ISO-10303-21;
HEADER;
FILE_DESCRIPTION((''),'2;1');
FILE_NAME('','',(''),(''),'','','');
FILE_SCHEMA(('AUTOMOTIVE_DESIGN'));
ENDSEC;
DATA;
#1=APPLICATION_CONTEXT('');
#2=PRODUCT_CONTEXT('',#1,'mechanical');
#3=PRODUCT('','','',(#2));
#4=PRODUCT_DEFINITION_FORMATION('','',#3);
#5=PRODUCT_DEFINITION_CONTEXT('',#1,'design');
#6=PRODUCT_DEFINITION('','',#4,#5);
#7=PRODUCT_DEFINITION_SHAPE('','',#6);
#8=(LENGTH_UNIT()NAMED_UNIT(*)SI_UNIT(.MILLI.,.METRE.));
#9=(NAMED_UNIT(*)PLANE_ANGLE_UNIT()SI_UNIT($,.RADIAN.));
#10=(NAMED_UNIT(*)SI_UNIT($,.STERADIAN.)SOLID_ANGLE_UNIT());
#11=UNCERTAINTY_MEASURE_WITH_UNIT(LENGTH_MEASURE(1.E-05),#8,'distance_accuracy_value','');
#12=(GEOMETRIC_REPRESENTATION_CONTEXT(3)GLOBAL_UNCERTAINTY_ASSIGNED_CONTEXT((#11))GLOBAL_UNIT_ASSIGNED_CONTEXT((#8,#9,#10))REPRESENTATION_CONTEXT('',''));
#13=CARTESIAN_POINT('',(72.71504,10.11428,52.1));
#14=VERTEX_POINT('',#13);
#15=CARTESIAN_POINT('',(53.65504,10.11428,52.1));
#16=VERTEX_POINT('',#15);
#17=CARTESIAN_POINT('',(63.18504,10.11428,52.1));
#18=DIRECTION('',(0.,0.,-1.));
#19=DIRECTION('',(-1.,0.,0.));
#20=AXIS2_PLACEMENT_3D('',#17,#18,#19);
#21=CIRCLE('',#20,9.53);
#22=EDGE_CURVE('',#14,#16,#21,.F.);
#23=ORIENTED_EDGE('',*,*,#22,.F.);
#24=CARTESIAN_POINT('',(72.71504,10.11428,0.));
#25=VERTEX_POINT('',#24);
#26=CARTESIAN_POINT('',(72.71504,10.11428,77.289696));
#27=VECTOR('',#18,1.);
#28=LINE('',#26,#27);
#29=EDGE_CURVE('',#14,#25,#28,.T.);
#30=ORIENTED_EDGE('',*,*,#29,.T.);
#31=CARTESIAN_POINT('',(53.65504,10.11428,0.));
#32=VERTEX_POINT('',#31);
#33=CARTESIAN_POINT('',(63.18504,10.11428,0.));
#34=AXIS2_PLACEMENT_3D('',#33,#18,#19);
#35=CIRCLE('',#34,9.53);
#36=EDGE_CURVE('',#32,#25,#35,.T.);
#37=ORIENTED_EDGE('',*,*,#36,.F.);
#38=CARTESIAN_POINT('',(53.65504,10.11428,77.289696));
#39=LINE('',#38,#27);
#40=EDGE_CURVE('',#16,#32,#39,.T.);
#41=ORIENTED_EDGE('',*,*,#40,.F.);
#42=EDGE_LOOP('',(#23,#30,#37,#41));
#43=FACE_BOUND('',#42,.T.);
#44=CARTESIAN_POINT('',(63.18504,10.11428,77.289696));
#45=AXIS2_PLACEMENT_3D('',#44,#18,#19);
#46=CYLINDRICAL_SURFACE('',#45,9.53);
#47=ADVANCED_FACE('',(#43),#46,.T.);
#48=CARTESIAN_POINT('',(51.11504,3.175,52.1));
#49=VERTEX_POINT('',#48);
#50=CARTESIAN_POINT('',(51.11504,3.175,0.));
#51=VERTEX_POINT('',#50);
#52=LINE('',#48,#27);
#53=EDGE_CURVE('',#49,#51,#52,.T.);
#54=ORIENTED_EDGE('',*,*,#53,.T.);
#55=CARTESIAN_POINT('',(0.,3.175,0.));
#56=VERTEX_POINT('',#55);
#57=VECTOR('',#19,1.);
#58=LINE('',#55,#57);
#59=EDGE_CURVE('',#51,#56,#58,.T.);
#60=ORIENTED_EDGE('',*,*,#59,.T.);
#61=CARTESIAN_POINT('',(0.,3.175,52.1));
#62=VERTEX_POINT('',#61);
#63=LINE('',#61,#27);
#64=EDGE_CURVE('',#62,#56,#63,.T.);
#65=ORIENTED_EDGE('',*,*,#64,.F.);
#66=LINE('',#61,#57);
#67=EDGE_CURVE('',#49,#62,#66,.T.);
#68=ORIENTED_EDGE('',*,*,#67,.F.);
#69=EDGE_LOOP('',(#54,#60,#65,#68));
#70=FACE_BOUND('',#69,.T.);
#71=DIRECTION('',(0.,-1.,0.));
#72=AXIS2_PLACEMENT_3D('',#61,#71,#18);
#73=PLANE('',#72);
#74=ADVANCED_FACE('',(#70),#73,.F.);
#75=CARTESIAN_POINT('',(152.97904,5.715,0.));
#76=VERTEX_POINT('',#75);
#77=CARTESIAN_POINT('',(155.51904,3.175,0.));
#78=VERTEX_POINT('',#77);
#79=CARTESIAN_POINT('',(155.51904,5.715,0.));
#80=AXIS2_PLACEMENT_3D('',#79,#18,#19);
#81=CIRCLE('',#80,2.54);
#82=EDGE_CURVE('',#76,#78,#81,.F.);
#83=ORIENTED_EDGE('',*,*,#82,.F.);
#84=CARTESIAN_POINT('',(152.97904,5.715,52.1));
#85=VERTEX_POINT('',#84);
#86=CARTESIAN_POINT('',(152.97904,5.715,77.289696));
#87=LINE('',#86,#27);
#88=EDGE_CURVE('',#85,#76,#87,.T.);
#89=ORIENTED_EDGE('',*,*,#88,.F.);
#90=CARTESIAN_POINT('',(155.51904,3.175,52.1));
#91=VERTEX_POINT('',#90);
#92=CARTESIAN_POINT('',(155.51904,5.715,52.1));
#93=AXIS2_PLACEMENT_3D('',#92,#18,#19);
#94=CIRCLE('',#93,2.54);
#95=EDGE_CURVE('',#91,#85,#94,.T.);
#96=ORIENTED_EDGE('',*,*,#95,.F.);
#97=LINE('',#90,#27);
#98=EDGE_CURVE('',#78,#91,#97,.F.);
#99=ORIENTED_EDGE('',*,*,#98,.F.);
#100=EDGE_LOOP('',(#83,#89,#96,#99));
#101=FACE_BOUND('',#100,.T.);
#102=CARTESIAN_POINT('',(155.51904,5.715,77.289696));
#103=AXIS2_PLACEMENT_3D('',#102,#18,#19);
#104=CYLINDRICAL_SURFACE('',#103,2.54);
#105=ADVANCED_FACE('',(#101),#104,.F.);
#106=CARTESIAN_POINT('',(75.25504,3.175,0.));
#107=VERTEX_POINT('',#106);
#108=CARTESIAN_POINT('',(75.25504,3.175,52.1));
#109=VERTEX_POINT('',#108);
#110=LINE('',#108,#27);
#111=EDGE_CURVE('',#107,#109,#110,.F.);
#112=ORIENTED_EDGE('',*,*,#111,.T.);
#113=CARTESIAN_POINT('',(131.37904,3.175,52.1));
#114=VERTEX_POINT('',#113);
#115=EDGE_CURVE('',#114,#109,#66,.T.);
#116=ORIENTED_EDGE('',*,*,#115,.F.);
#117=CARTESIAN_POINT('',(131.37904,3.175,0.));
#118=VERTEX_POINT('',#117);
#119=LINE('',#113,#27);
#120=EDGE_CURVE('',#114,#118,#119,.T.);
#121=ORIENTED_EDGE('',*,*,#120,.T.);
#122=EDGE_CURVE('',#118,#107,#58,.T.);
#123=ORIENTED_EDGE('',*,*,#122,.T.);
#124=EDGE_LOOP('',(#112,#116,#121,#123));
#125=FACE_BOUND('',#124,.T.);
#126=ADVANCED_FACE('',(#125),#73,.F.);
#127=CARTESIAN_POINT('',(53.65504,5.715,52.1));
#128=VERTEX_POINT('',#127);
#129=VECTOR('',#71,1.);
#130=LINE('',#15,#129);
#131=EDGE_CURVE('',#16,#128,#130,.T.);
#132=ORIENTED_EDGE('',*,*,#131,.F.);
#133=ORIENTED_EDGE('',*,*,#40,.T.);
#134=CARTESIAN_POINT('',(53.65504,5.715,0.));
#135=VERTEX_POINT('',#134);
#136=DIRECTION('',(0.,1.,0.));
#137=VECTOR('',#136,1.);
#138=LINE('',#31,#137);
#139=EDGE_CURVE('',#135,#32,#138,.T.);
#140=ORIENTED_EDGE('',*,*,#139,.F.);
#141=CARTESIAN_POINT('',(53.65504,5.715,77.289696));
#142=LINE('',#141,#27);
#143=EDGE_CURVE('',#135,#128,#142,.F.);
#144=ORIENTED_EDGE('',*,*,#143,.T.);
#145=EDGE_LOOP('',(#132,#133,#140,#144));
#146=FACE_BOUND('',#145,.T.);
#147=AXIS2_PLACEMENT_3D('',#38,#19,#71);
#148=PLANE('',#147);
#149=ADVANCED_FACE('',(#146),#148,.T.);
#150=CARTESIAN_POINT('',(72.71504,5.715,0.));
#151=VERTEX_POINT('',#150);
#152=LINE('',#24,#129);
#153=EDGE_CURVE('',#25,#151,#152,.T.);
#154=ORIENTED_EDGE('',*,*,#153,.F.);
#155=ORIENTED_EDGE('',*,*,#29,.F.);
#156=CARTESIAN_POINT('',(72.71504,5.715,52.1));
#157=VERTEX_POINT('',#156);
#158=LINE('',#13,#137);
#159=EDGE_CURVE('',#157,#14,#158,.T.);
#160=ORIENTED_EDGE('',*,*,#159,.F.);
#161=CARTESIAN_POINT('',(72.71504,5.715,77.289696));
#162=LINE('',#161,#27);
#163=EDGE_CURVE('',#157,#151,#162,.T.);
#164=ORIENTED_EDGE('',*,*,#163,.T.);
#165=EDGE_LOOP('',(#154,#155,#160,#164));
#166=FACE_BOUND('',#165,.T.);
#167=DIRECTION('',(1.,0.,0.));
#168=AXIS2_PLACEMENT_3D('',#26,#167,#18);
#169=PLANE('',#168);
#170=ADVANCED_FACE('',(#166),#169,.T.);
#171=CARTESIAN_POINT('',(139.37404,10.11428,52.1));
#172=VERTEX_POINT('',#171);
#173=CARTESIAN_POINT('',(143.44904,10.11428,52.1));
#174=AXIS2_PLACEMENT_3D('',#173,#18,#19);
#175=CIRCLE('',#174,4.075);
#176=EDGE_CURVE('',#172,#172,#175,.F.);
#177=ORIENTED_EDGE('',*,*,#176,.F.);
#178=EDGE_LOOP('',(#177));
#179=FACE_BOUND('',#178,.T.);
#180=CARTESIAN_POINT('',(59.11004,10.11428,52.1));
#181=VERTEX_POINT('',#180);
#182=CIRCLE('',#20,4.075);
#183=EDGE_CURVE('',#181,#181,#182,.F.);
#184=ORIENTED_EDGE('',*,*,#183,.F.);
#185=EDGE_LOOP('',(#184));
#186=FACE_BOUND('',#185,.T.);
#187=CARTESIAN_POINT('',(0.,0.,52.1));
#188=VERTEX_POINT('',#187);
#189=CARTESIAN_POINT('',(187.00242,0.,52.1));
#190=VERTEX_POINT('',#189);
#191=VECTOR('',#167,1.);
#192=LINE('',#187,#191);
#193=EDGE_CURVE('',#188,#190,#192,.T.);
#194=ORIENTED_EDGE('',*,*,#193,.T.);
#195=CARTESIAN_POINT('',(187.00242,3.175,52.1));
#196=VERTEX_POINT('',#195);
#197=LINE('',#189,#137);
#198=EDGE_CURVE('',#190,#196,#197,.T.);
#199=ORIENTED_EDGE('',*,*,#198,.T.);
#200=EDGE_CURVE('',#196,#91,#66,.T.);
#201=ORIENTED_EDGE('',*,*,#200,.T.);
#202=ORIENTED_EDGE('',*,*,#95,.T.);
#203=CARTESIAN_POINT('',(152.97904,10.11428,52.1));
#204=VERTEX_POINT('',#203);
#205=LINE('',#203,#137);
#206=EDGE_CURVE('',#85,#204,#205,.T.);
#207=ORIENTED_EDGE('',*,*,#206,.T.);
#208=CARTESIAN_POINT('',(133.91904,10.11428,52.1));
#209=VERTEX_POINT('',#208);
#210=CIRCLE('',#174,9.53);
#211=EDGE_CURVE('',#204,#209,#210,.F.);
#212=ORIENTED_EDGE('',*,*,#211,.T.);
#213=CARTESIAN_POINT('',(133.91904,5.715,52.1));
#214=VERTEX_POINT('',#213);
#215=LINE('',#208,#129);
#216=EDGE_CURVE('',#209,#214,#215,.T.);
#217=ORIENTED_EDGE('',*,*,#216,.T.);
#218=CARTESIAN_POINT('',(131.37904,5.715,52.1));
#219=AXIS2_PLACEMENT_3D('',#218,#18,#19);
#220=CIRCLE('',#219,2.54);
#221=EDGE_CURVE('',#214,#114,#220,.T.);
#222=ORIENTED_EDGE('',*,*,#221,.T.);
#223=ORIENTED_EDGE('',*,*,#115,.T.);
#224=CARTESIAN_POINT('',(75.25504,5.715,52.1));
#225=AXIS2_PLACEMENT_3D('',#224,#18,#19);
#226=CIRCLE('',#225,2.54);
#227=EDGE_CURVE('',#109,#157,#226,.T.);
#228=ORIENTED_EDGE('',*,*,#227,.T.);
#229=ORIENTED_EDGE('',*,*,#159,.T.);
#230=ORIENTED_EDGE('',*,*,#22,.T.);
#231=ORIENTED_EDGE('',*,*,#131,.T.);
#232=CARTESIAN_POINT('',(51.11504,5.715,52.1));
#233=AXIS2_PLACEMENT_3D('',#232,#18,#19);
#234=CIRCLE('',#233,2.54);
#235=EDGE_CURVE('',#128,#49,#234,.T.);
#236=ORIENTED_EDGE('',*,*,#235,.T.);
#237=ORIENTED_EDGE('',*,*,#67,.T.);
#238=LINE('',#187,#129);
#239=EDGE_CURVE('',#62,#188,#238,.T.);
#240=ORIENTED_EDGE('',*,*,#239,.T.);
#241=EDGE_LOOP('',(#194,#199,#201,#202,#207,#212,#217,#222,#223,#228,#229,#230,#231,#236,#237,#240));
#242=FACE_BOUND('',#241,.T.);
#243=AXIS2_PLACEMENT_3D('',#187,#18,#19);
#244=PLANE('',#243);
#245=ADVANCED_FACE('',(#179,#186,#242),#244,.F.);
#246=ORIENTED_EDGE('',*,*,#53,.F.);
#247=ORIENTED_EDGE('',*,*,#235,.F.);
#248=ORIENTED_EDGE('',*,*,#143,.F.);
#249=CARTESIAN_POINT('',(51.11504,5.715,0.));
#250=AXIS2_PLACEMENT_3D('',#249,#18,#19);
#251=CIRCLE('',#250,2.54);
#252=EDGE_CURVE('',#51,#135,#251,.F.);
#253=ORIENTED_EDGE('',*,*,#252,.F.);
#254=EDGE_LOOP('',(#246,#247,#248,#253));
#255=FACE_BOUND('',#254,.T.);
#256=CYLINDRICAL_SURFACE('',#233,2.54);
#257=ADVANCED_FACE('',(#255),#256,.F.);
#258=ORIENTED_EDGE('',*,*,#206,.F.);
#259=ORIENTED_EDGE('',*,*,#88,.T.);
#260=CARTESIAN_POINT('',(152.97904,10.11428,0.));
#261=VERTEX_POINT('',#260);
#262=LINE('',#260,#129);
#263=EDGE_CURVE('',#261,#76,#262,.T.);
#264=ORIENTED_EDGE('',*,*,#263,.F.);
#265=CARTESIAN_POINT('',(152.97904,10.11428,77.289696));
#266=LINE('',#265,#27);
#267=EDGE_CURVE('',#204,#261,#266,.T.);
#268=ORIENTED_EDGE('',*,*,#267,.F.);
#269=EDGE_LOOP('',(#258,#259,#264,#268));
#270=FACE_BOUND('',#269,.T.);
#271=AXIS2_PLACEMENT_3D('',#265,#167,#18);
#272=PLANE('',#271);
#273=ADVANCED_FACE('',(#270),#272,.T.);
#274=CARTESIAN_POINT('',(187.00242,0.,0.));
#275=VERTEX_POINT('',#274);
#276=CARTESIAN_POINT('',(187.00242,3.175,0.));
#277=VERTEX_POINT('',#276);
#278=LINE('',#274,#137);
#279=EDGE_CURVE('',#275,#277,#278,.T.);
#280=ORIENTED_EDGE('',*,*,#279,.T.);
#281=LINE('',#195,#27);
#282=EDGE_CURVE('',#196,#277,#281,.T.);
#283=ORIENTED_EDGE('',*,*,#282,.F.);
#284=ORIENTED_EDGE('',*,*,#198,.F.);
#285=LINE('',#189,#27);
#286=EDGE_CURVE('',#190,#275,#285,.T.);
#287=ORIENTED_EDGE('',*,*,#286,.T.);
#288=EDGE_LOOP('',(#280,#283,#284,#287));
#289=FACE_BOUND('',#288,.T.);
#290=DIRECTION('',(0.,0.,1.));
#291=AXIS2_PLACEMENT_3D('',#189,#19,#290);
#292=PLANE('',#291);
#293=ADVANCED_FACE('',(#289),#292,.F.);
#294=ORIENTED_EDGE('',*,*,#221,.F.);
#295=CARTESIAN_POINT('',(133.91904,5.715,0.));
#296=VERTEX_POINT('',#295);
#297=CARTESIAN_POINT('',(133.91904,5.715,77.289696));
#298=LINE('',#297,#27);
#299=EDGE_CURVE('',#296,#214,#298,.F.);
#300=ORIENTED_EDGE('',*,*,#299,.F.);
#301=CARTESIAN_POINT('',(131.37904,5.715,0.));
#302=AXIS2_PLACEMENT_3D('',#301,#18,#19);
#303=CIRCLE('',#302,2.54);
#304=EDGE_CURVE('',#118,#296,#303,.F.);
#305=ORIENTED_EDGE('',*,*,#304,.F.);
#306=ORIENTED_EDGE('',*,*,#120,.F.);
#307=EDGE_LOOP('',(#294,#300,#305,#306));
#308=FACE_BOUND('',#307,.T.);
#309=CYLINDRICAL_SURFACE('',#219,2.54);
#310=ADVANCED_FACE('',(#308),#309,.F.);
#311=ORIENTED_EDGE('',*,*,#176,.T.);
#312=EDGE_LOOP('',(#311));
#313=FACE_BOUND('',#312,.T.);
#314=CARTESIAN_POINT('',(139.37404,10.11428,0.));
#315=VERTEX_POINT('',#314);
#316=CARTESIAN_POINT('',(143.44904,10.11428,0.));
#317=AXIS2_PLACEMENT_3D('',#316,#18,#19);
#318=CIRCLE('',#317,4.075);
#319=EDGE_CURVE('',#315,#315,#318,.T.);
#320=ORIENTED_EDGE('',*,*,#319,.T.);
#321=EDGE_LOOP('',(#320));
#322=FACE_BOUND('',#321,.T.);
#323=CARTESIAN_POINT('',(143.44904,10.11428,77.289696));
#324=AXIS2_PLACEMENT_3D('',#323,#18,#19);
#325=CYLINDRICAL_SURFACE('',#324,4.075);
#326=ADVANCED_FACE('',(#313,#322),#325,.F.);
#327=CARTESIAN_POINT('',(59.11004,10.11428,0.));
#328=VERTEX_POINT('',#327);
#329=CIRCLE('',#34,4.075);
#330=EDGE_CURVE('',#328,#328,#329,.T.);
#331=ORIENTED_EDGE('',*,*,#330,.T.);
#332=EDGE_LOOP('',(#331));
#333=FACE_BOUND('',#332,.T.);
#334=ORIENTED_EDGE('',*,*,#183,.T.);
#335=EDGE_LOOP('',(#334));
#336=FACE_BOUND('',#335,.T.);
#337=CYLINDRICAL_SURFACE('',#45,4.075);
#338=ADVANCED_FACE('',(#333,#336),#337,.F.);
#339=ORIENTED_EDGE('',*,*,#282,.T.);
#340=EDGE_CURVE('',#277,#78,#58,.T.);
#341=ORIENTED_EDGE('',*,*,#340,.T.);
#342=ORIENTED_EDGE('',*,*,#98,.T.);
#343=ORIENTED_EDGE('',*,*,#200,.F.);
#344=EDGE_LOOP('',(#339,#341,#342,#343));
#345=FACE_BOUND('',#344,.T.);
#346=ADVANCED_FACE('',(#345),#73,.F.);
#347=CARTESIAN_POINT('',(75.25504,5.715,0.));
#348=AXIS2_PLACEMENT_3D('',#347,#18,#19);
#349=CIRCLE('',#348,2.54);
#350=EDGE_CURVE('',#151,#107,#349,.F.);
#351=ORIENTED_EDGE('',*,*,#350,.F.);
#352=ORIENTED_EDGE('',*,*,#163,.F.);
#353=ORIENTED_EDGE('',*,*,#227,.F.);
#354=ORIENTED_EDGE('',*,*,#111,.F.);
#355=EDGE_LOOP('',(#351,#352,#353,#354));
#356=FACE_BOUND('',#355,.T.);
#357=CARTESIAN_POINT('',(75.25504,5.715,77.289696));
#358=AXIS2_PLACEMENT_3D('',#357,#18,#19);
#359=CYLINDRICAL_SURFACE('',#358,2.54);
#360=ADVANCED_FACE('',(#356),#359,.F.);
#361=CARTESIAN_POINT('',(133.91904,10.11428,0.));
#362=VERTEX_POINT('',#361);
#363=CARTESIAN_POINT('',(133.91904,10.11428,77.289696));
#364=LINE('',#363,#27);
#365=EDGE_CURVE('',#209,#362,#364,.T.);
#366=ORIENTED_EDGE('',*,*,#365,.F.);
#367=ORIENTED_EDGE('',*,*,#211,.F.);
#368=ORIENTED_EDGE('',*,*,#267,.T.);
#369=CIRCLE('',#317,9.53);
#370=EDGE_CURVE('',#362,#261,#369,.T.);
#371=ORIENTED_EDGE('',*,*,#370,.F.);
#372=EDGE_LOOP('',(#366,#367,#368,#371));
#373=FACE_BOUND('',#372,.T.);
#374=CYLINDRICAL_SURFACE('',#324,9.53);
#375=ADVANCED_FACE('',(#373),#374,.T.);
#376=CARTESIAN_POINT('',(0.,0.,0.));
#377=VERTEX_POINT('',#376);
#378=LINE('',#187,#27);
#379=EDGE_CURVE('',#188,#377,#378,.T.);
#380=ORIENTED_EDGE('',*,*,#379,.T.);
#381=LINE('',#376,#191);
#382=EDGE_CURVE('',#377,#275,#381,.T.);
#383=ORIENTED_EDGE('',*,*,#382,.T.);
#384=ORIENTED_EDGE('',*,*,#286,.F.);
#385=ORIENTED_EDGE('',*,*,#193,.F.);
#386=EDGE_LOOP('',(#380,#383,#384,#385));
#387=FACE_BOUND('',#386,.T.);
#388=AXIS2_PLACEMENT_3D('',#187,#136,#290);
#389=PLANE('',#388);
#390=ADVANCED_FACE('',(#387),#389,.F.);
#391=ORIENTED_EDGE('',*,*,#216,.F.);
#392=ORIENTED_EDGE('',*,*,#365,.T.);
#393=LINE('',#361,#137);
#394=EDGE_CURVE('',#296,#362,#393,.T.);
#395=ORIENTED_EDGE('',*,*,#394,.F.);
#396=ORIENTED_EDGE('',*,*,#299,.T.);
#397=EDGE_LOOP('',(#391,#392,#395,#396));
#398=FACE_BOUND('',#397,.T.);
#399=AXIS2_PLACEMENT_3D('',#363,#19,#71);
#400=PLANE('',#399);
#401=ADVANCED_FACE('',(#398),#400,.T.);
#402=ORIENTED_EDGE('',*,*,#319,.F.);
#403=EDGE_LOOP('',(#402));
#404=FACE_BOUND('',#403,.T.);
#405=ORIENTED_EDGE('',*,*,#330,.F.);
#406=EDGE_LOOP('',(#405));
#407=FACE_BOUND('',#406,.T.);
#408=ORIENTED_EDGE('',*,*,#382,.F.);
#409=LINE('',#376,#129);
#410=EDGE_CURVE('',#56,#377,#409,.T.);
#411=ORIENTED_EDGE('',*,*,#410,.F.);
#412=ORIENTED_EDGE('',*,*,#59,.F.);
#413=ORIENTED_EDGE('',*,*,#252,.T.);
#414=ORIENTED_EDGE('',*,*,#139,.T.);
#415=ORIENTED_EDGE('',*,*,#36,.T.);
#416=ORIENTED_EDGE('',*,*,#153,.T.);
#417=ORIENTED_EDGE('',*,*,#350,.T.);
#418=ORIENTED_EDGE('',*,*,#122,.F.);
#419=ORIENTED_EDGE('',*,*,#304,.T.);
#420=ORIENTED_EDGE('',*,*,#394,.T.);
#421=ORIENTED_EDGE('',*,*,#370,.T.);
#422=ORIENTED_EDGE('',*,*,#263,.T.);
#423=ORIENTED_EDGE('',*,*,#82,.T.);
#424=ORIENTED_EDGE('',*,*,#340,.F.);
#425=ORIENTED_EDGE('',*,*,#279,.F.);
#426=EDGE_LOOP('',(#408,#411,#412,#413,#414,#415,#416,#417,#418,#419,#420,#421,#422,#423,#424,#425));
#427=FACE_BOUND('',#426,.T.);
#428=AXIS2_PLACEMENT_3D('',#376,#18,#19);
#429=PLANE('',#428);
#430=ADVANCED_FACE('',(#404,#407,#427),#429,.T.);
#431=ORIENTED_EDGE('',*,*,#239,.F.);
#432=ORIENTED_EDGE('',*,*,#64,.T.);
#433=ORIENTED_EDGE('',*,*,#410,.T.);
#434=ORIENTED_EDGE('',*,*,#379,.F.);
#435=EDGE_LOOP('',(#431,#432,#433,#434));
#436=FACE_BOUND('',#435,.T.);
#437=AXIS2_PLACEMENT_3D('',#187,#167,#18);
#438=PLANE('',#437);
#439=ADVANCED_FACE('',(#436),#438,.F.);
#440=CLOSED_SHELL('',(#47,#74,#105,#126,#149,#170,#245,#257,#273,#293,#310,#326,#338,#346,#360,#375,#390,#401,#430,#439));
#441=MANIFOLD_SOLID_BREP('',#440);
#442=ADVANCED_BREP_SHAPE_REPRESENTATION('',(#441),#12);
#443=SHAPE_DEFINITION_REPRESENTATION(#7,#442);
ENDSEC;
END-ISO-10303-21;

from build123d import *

# Parameters (mm, degrees)
SKETCH1_W           = 399.27784
SKETCH1_H           = 3.175
BOSS_EXTRUDE1_DEPTH = 52.09999994
SKETCH3_R           = 4.075
BOSS_EXTRUDE2_DEPTH = 52.09999994
FILLET1_R           = 2.54
SKETCH5_W           = 212.27542
SKETCH5_H           = 58.123397562
CUT_EXTRUDE3_DEPTH  = 404.141539965


with BuildPart() as part:
    # Sketch1 → Boss-Extrude1 (new body)
    with BuildSketch(Plane.XY):
        with Locations((199.63892, 1.5875)):
            Rectangle(SKETCH1_W, SKETCH1_H)
    extrude(amount=BOSS_EXTRUDE1_DEPTH)

    # Sketch3 → Boss-Extrude2 (add)
    # profile 1 of 4: a face of its own
    with BuildSketch(Plane(origin=(0, 0, 0), x_dir=(-1, 0, 0), z_dir=(0, 0, -1))):
        with BuildLine():
            Line((-313.50704, 10.11428), (-313.50704, 3.175))
            Line((-313.50704, 3.175), (-303.97704, 3.175))
            Line((-303.97704, 3.175), (-294.44704, 3.175))
            Line((-294.44704, 3.175), (-294.44704, 10.11428))
            ThreePointArc((-294.44704, 10.11428), (-303.97704, 19.64428), (-313.50704, 10.11428))
        make_face()
        with Locations((-303.97704, 10.11428)):
            Circle(SKETCH3_R, mode=Mode.SUBTRACT)
    # profile 2 of 4: a face of its own
    with BuildSketch(Plane(origin=(0, 0, 0), x_dir=(-1, 0, 0), z_dir=(0, 0, -1))):
        with BuildLine():
            Line((-233.24304, 3.175), (-223.71304, 3.175))
            Line((-223.71304, 3.175), (-214.18304, 3.175))
            Line((-214.18304, 3.175), (-214.18304, 10.11428))
            ThreePointArc((-214.18304, 10.11428), (-223.71304, 19.64428), (-233.24304, 10.11428))
            Line((-233.24304, 10.11428), (-233.24304, 3.175))
        make_face()
        with Locations((-223.71304, 10.11428)):
            Circle(SKETCH3_R, mode=Mode.SUBTRACT)
    # profile 3 of 4: a face of its own
    with BuildSketch(Plane(origin=(0, 0, 0), x_dir=(-1, 0, 0), z_dir=(0, 0, -1))):
        with BuildLine():
            Line((-152.97904, 3.175), (-143.44904, 3.175))
            Line((-143.44904, 3.175), (-133.91904, 3.175))
            Line((-133.91904, 3.175), (-133.91904, 10.11428))
            ThreePointArc((-133.91904, 10.11428), (-143.44904, 19.64428), (-152.97904, 10.11428))
            Line((-152.97904, 10.11428), (-152.97904, 3.175))
        make_face()
        with Locations((-143.44904, 10.11428)):
            Circle(SKETCH3_R, mode=Mode.SUBTRACT)
    # profile 4 of 4: a face of its own
    with BuildSketch(Plane(origin=(0, 0, 0), x_dir=(-1, 0, 0), z_dir=(0, 0, -1))):
        with BuildLine():
            Line((-72.71504, 3.175), (-63.18504, 3.175))
            Line((-63.18504, 3.175), (-53.65504, 3.175))
            Line((-53.65504, 3.175), (-53.65504, 10.11428))
            ThreePointArc((-53.65504, 10.11428), (-63.18504, 19.64428), (-72.71504, 10.11428))
            Line((-72.71504, 10.11428), (-72.71504, 3.175))
        make_face()
        with Locations((-63.18504, 10.11428)):
            Circle(SKETCH3_R, mode=Mode.SUBTRACT)
    extrude(amount=-BOSS_EXTRUDE2_DEPTH)

    # Fillet1
    fillet1_edges = [part.edges().sort_by_distance(p)[0] for p in [
        (294.44704, 3.175, 26.04999997),
        (313.50704, 3.175, 26.04999997),
        (233.24304, 3.175, 26.04999997),
        (214.18304, 3.175, 26.04999997),
        (152.97904, 3.175, 26.04999997),
        (133.91904, 3.175, 26.04999997),
        (72.71504, 3.175, 26.04999997),
        (53.65504, 3.175, 26.04999997),
    ]]
    fillet(fillet1_edges, radius=FILLET1_R)

    # Sketch5 → Cut-Extrude3 (cut, through all)
    with BuildSketch(Plane(origin=(0, 0, 0), x_dir=(-1, 0, 0), z_dir=(0, 0, -1))):
        with Locations((-293.14013, 29.061698781)):
            Rectangle(SKETCH5_W, SKETCH5_H)
    extrude(amount=-CUT_EXTRUDE3_DEPTH, mode=Mode.SUBTRACT)


solid = part.part
